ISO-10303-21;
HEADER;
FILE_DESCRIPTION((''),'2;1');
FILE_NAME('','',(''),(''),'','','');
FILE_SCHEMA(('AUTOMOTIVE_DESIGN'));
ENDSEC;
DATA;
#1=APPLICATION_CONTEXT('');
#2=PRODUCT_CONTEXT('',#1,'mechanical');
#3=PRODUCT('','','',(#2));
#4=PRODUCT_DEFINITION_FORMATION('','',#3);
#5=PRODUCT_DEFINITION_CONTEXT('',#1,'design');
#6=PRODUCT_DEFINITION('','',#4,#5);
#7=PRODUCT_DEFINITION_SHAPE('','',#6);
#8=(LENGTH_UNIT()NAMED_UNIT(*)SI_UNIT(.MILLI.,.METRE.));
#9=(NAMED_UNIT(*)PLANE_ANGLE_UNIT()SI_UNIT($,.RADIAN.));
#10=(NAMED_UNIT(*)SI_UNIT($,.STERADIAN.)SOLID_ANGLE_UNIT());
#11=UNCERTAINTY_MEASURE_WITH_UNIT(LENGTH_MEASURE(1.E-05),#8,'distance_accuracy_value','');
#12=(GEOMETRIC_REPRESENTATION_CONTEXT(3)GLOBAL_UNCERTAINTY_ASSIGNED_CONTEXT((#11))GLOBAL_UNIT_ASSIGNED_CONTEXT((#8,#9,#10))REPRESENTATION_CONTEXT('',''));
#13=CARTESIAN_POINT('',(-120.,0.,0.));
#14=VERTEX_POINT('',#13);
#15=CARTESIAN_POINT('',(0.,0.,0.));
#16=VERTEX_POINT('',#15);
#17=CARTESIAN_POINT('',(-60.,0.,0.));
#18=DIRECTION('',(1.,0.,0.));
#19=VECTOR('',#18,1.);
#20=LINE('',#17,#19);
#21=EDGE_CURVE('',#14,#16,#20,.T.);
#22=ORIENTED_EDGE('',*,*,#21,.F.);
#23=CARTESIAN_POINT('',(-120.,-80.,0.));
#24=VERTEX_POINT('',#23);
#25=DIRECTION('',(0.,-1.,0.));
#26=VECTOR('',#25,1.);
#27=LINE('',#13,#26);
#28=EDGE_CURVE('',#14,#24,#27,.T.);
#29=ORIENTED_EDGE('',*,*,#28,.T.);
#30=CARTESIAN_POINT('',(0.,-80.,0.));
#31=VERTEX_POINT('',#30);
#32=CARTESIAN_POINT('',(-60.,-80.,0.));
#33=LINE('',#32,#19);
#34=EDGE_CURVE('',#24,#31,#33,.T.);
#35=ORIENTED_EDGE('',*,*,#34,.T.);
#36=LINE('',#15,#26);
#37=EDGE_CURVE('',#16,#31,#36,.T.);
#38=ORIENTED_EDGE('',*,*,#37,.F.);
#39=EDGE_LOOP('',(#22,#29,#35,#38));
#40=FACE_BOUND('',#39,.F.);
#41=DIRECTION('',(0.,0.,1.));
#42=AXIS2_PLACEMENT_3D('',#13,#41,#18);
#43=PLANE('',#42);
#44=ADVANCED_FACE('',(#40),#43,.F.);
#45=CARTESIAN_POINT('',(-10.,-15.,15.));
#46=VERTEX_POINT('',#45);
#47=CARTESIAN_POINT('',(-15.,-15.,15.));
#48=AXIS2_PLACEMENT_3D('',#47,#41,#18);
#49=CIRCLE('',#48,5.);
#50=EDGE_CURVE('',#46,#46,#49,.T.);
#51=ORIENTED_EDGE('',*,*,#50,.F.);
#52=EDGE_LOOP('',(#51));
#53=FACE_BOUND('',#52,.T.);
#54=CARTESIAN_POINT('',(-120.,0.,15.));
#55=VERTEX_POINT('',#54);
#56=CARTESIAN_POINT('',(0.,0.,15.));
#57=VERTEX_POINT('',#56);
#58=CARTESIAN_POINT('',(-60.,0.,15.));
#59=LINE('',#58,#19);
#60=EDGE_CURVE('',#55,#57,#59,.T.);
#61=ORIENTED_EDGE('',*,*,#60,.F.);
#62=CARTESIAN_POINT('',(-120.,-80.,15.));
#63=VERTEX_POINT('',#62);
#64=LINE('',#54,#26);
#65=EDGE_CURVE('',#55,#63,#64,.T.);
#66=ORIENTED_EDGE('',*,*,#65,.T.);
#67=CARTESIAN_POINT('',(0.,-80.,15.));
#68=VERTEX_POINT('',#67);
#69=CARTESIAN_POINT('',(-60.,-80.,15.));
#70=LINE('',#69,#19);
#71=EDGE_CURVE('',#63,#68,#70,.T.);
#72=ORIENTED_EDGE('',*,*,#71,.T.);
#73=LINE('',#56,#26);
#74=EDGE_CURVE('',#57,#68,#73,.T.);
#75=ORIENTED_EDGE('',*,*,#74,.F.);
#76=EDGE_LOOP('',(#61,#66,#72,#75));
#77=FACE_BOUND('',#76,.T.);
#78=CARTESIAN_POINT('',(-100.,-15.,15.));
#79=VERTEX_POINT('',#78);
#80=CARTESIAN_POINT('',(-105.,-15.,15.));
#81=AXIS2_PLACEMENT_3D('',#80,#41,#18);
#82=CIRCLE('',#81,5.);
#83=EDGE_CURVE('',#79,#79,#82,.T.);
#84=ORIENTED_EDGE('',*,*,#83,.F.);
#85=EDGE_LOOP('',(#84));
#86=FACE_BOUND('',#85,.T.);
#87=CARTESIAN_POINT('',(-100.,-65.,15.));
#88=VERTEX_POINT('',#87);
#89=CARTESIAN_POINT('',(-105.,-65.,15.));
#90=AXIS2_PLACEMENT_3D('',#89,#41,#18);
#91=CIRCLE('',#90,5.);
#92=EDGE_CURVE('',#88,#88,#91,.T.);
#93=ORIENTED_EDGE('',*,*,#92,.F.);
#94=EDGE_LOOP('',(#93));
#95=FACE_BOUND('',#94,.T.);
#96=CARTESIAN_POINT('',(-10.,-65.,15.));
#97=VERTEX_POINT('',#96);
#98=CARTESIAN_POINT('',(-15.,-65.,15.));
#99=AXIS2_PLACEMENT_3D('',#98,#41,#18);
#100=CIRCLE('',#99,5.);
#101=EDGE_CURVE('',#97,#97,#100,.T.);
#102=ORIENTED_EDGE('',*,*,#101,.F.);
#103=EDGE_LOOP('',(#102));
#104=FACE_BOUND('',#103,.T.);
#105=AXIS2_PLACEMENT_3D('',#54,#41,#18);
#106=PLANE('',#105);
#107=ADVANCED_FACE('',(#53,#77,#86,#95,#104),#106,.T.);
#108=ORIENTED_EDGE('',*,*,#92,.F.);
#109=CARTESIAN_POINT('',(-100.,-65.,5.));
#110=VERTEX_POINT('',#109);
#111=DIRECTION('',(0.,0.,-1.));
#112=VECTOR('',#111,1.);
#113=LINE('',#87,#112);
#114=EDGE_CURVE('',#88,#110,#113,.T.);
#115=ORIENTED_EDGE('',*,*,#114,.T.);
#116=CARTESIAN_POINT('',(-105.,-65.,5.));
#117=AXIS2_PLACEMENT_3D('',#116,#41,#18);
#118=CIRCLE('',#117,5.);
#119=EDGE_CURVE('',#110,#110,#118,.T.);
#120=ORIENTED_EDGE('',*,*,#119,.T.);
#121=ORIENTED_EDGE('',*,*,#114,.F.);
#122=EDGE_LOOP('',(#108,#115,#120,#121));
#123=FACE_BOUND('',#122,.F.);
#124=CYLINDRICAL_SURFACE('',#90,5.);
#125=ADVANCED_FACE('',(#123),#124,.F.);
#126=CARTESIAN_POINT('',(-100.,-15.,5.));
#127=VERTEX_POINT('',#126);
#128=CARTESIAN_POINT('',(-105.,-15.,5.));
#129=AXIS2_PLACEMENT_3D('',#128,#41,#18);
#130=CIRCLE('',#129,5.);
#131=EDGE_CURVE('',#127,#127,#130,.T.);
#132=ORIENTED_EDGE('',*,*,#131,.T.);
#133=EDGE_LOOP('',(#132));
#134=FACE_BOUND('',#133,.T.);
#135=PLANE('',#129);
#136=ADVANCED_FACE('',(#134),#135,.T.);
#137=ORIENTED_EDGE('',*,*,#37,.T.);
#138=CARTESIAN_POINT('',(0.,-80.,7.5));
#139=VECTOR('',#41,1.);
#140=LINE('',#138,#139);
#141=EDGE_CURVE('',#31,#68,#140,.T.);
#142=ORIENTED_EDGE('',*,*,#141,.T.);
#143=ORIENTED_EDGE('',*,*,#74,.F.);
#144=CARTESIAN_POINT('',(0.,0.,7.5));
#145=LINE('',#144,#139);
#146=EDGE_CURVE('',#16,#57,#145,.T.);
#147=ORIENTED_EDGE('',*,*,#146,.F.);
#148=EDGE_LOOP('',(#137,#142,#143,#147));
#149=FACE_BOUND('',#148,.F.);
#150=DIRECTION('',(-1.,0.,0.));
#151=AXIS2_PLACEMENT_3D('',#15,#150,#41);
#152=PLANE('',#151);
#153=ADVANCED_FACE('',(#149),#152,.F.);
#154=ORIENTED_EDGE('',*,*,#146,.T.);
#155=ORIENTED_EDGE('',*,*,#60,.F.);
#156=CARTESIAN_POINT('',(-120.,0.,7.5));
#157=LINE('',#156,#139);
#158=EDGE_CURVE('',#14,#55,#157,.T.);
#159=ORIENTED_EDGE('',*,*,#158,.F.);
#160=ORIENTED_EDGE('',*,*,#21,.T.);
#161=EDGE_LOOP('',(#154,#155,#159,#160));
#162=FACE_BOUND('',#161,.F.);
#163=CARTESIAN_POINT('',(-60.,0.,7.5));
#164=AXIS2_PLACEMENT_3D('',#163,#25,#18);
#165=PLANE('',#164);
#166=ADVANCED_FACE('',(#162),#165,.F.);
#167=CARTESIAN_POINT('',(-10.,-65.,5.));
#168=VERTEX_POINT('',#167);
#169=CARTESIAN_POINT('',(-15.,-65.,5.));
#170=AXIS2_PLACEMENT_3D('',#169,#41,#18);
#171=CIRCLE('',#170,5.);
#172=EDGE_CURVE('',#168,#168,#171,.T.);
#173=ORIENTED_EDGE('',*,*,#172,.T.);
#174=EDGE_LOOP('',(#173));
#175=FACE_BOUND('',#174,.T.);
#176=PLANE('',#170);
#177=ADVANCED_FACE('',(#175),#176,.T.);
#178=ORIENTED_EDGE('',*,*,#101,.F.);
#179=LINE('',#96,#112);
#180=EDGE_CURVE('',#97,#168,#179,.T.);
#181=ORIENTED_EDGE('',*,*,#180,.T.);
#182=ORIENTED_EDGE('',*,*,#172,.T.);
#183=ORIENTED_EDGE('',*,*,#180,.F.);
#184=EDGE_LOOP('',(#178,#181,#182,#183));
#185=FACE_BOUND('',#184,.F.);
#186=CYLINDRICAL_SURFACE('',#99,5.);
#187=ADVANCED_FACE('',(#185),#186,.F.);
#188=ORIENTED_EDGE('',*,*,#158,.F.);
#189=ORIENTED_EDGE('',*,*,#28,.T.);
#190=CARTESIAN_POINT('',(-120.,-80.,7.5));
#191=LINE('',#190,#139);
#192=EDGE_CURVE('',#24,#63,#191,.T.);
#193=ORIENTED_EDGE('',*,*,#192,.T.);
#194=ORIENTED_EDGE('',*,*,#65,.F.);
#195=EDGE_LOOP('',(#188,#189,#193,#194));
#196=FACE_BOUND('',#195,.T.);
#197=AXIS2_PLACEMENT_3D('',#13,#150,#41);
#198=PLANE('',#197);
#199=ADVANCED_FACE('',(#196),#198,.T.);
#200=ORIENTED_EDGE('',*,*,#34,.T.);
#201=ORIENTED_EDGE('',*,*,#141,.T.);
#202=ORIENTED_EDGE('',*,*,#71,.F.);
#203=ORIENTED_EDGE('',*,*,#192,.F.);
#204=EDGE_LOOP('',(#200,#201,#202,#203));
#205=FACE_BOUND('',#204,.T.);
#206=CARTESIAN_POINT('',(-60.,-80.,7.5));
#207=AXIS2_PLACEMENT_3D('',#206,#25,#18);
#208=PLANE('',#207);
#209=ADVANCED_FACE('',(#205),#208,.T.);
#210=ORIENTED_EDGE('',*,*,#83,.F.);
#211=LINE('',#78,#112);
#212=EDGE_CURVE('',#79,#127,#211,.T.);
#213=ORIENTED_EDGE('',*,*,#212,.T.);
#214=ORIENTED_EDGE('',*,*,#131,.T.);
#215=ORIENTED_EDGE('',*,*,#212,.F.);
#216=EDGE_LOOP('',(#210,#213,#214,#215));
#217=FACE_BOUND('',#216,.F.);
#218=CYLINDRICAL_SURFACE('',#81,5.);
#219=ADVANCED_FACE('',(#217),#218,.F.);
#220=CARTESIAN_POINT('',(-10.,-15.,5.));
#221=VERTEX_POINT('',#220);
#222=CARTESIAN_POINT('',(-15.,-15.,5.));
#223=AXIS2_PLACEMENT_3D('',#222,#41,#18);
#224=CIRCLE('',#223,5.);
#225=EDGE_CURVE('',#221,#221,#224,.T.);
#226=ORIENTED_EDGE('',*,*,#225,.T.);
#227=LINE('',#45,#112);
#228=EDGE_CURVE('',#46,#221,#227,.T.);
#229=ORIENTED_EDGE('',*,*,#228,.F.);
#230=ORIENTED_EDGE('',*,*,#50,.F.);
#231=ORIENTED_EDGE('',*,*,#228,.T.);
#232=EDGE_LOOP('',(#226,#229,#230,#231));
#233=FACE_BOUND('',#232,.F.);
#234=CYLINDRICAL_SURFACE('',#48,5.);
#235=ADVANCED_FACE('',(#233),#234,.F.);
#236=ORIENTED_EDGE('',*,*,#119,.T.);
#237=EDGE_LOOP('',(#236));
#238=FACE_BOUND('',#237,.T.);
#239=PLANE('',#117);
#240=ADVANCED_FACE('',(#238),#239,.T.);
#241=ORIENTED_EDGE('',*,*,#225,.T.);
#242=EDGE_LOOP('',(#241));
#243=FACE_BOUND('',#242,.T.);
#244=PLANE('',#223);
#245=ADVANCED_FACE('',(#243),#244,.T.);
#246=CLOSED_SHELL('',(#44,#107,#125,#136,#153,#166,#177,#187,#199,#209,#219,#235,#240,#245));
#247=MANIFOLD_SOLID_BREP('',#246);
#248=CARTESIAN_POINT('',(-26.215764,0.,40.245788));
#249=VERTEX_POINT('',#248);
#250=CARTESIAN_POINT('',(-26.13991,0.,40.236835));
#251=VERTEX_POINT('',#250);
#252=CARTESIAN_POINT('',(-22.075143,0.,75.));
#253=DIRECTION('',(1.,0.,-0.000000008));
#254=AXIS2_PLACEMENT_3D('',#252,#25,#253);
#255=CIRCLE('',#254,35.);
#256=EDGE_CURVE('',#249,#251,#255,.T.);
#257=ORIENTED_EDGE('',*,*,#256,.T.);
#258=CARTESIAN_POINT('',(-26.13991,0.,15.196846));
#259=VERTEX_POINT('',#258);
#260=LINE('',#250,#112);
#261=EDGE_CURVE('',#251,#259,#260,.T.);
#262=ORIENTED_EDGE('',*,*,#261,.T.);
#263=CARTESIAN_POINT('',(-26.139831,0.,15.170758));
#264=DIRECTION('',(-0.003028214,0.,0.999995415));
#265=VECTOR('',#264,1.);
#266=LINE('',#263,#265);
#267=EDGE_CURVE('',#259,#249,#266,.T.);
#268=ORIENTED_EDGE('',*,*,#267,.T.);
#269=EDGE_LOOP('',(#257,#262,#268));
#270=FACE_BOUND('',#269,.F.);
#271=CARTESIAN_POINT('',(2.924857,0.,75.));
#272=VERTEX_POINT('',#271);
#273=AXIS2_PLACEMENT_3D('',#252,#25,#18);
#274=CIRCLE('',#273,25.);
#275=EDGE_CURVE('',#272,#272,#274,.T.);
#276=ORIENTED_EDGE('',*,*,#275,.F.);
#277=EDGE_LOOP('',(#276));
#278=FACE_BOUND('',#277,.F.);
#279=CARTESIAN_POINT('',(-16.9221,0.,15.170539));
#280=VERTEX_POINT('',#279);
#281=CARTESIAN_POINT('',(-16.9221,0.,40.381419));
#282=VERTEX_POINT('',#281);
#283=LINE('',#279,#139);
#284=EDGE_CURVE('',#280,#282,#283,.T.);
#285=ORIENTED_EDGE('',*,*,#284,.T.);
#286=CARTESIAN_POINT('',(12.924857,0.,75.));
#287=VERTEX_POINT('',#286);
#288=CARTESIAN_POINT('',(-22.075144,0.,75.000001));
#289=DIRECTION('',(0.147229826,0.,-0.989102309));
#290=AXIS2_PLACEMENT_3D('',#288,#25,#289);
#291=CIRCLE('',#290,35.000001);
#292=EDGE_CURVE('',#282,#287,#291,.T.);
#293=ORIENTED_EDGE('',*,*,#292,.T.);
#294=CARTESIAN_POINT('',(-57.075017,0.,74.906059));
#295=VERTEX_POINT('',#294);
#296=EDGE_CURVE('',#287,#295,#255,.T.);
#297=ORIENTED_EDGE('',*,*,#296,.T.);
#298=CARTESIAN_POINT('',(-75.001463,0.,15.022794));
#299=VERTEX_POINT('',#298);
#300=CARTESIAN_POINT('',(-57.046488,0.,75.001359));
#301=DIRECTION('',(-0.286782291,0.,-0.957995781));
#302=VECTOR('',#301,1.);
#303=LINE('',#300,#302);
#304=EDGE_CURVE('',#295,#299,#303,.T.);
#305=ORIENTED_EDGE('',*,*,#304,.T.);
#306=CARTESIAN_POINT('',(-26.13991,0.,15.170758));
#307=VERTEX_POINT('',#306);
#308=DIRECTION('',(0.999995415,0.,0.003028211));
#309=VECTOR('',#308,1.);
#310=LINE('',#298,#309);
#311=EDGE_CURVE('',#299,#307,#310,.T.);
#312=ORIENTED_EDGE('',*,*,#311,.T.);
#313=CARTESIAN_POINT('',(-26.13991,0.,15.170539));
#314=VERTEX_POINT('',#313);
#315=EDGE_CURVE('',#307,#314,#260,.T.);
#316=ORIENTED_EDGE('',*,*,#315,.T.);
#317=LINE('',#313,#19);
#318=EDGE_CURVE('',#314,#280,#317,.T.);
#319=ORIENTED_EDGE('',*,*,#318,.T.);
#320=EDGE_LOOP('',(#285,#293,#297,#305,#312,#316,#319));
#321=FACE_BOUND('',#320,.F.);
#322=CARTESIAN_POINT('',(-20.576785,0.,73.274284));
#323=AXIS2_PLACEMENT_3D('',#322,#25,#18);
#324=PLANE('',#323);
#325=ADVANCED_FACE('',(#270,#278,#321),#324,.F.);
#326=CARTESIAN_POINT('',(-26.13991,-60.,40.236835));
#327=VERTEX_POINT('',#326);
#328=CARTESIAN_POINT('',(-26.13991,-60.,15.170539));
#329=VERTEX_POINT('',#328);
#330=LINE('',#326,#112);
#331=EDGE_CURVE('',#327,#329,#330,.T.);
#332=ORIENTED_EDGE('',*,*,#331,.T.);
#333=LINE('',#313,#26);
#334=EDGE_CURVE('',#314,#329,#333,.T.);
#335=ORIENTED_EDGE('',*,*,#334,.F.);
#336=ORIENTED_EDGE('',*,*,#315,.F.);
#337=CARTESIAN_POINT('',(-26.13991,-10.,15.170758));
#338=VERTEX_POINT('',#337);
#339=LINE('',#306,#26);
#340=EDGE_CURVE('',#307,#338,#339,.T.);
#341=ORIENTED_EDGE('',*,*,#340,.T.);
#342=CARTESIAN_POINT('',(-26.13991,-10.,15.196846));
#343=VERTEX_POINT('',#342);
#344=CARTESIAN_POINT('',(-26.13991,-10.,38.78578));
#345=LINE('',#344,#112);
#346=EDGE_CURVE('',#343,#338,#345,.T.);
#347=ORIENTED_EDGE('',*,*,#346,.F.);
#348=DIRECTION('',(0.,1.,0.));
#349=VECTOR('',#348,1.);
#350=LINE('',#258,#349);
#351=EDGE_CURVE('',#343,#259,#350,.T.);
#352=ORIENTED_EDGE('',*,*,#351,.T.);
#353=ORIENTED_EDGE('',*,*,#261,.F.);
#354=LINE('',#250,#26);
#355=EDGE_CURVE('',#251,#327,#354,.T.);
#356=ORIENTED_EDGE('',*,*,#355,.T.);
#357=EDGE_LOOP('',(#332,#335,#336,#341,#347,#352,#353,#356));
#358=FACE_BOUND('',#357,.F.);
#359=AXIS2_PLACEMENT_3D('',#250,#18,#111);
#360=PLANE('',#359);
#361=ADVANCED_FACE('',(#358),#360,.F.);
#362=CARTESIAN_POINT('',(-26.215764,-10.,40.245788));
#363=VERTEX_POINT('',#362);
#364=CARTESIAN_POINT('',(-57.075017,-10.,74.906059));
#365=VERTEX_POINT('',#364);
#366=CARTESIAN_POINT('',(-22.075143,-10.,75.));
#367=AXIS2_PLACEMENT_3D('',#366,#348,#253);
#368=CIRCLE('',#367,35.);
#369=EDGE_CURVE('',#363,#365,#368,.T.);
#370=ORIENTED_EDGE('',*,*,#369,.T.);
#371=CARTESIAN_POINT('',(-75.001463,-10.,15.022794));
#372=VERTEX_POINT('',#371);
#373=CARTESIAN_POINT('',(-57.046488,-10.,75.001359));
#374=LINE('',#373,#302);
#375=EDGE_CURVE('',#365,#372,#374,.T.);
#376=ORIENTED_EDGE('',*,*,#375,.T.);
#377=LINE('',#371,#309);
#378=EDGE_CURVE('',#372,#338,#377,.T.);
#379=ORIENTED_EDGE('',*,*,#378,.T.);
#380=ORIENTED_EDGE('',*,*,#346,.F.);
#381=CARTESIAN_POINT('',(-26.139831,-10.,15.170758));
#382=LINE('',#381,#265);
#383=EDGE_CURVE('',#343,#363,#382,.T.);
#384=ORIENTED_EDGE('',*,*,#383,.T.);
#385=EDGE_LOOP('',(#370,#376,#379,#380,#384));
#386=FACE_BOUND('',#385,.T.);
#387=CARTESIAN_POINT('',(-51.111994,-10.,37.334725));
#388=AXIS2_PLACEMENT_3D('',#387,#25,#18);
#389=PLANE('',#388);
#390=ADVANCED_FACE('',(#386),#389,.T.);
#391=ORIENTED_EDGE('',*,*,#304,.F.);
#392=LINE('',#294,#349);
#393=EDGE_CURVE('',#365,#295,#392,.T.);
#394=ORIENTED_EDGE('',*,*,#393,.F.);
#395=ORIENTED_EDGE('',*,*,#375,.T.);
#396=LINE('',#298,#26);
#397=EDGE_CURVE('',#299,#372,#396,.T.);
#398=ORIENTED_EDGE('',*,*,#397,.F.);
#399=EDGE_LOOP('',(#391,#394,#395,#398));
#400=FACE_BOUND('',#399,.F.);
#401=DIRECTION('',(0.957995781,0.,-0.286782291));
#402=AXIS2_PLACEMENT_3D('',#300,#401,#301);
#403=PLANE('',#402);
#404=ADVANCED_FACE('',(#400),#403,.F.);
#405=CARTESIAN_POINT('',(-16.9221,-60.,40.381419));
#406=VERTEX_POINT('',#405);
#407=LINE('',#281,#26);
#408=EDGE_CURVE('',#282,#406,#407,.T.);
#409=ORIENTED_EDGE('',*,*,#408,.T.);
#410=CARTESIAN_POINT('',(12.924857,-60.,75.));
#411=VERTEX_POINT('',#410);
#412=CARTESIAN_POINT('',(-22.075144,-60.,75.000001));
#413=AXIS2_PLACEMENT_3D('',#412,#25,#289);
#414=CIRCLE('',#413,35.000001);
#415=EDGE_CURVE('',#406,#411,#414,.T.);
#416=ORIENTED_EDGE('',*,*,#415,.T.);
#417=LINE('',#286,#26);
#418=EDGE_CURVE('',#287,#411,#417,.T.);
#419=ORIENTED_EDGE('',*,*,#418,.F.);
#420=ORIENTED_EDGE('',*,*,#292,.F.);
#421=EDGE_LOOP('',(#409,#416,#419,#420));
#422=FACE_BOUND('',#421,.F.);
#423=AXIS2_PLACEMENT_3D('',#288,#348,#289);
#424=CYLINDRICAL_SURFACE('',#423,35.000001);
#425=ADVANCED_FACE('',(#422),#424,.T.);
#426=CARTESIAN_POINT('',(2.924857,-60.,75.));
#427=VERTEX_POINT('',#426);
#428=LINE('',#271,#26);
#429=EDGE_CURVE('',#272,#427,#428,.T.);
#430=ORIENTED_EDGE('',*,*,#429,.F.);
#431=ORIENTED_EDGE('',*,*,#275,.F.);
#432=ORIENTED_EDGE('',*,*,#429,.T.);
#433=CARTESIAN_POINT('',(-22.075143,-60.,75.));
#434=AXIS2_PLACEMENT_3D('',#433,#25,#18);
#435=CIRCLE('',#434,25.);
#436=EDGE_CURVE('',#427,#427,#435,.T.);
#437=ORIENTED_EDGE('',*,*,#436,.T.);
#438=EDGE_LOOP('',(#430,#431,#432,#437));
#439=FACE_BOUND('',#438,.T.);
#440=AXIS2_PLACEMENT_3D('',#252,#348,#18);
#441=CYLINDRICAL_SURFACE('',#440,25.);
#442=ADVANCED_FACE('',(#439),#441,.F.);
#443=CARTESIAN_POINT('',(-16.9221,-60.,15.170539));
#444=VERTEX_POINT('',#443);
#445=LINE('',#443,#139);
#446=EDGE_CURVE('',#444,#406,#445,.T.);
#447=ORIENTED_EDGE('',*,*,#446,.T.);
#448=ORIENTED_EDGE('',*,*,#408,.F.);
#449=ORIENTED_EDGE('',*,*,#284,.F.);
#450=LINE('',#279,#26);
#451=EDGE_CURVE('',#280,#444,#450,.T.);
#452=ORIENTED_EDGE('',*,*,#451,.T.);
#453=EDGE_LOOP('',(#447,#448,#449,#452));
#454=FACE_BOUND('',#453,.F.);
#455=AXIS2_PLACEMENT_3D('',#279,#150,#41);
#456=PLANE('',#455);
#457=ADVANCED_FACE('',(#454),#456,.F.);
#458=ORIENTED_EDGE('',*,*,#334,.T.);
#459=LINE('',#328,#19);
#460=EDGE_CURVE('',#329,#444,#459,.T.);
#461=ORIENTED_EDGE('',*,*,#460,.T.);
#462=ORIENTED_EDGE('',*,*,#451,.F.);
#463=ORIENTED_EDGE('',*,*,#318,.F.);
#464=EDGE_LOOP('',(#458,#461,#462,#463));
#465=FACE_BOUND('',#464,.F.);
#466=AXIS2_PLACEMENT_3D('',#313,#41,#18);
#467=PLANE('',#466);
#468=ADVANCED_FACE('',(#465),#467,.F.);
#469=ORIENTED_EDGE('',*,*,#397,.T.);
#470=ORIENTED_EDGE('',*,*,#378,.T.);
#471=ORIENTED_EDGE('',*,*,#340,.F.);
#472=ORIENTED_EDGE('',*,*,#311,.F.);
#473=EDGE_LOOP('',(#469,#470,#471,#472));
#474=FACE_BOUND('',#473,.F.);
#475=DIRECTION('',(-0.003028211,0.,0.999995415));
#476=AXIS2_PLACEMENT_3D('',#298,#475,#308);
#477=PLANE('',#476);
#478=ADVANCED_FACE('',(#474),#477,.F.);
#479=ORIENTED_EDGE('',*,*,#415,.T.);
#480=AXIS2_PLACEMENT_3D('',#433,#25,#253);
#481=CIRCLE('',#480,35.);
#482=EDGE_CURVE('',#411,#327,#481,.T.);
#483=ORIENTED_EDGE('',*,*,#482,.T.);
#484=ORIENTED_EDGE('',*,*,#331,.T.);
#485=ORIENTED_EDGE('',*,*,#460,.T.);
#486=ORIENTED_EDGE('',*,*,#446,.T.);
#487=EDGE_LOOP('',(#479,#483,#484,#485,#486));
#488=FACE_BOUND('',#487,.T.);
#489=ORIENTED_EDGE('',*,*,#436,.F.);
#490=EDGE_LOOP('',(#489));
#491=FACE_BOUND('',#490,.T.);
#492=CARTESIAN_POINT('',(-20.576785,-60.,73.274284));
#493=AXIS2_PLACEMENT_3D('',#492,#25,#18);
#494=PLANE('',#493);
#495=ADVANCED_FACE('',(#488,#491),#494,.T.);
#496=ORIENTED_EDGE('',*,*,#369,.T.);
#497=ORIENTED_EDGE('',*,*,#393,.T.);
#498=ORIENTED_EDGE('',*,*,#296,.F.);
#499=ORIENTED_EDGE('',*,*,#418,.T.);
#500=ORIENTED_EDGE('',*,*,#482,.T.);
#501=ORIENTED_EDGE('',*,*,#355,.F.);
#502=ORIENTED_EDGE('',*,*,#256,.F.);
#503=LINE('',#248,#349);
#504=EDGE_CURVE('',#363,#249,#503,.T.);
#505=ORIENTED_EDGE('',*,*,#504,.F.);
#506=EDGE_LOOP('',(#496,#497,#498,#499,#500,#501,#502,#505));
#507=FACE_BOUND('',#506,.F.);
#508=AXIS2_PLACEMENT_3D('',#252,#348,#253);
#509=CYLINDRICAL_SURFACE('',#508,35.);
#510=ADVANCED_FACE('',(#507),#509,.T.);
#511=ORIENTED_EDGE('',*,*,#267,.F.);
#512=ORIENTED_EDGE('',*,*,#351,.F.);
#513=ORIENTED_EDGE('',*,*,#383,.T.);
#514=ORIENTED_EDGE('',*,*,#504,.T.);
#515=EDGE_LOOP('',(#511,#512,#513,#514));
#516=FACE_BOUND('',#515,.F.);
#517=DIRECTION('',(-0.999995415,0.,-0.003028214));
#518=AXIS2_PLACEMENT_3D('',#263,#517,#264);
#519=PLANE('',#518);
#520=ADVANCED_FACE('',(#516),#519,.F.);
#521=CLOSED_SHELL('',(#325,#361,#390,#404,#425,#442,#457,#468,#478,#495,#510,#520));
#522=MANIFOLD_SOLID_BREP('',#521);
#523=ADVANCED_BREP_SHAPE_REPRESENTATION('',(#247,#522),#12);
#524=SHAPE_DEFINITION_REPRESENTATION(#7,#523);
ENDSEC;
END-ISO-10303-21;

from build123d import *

# Parameters (mm, degrees)
F0_W     = 120
F0_H     = 15
F1_DEPTH = 80
F2_R     = 5
F3_DEPTH = 10
F4_R     = 25
F5_DEPTH = 60
F7_DEPTH = 10


with BuildPart() as f1:
    # F0 (on Front) → F1 (new body)
    with BuildSketch(Plane.XZ):
        with Locations((-60, 7.5)):
            Rectangle(F0_W, F0_H)
    extrude(amount=F1_DEPTH)

    # F2 (on face) → F3 (cut)
    with BuildSketch(Plane.XY.offset(15)):
        with Locations((-105, -15)):
            Circle(F2_R)
        with Locations((-15, -15)):
            Circle(F2_R)
        with Locations((-105, -65)):
            Circle(F2_R)
        with Locations((-15, -65)):
            Circle(F2_R)
    extrude(amount=-F3_DEPTH, mode=Mode.SUBTRACT)


with BuildPart() as f5:
    # F4 (on Front) → F5 (new body)
    with BuildSketch(Plane.XZ):
        with BuildLine():
            ThreePointArc((-16.9221, 40.381419), (4.432936, 52.145641), (12.924857, 75))
            ThreePointArc((12.924857, 75), (-45.342428, 101.146385), (-26.13991, 40.236835))
            ThreePointArc((-26.13991, 40.236835), (-21.526224, 40.004305), (-16.9221, 40.381419))
        make_face()
        with Locations((-22.075143, 75)):
            Circle(F4_R, mode=Mode.SUBTRACT)
        with BuildLine():
            ThreePointArc((-16.9221, 40.381419), (-21.526224, 40.004305), (-26.13991, 40.236835))
            Line((-26.13991, 40.236835), (-26.13991, 15.170539))
            Line((-26.13991, 15.170539), (-16.9221, 15.170539))
            Line((-16.9221, 15.170539), (-16.9221, 40.381419))
        make_face()
    extrude(amount=F5_DEPTH)

    # F6 (on Front) → F7 (join)
    with BuildSketch(Plane.XZ):
        with BuildLine():
            ThreePointArc((-26.215766, 40.246482), (-48.200118, 51.79663), (-57.046488, 75.001359))
            Line((-57.046488, 75.001359), (-75.001463, 15.022794))
            Line((-75.001463, 15.022794), (-26.139831, 15.170758))
            Line((-26.139831, 15.170758), (-26.215766, 40.246482))
        make_face()
    extrude(amount=F7_DEPTH)


solid = Compound([f1.part, f5.part])
